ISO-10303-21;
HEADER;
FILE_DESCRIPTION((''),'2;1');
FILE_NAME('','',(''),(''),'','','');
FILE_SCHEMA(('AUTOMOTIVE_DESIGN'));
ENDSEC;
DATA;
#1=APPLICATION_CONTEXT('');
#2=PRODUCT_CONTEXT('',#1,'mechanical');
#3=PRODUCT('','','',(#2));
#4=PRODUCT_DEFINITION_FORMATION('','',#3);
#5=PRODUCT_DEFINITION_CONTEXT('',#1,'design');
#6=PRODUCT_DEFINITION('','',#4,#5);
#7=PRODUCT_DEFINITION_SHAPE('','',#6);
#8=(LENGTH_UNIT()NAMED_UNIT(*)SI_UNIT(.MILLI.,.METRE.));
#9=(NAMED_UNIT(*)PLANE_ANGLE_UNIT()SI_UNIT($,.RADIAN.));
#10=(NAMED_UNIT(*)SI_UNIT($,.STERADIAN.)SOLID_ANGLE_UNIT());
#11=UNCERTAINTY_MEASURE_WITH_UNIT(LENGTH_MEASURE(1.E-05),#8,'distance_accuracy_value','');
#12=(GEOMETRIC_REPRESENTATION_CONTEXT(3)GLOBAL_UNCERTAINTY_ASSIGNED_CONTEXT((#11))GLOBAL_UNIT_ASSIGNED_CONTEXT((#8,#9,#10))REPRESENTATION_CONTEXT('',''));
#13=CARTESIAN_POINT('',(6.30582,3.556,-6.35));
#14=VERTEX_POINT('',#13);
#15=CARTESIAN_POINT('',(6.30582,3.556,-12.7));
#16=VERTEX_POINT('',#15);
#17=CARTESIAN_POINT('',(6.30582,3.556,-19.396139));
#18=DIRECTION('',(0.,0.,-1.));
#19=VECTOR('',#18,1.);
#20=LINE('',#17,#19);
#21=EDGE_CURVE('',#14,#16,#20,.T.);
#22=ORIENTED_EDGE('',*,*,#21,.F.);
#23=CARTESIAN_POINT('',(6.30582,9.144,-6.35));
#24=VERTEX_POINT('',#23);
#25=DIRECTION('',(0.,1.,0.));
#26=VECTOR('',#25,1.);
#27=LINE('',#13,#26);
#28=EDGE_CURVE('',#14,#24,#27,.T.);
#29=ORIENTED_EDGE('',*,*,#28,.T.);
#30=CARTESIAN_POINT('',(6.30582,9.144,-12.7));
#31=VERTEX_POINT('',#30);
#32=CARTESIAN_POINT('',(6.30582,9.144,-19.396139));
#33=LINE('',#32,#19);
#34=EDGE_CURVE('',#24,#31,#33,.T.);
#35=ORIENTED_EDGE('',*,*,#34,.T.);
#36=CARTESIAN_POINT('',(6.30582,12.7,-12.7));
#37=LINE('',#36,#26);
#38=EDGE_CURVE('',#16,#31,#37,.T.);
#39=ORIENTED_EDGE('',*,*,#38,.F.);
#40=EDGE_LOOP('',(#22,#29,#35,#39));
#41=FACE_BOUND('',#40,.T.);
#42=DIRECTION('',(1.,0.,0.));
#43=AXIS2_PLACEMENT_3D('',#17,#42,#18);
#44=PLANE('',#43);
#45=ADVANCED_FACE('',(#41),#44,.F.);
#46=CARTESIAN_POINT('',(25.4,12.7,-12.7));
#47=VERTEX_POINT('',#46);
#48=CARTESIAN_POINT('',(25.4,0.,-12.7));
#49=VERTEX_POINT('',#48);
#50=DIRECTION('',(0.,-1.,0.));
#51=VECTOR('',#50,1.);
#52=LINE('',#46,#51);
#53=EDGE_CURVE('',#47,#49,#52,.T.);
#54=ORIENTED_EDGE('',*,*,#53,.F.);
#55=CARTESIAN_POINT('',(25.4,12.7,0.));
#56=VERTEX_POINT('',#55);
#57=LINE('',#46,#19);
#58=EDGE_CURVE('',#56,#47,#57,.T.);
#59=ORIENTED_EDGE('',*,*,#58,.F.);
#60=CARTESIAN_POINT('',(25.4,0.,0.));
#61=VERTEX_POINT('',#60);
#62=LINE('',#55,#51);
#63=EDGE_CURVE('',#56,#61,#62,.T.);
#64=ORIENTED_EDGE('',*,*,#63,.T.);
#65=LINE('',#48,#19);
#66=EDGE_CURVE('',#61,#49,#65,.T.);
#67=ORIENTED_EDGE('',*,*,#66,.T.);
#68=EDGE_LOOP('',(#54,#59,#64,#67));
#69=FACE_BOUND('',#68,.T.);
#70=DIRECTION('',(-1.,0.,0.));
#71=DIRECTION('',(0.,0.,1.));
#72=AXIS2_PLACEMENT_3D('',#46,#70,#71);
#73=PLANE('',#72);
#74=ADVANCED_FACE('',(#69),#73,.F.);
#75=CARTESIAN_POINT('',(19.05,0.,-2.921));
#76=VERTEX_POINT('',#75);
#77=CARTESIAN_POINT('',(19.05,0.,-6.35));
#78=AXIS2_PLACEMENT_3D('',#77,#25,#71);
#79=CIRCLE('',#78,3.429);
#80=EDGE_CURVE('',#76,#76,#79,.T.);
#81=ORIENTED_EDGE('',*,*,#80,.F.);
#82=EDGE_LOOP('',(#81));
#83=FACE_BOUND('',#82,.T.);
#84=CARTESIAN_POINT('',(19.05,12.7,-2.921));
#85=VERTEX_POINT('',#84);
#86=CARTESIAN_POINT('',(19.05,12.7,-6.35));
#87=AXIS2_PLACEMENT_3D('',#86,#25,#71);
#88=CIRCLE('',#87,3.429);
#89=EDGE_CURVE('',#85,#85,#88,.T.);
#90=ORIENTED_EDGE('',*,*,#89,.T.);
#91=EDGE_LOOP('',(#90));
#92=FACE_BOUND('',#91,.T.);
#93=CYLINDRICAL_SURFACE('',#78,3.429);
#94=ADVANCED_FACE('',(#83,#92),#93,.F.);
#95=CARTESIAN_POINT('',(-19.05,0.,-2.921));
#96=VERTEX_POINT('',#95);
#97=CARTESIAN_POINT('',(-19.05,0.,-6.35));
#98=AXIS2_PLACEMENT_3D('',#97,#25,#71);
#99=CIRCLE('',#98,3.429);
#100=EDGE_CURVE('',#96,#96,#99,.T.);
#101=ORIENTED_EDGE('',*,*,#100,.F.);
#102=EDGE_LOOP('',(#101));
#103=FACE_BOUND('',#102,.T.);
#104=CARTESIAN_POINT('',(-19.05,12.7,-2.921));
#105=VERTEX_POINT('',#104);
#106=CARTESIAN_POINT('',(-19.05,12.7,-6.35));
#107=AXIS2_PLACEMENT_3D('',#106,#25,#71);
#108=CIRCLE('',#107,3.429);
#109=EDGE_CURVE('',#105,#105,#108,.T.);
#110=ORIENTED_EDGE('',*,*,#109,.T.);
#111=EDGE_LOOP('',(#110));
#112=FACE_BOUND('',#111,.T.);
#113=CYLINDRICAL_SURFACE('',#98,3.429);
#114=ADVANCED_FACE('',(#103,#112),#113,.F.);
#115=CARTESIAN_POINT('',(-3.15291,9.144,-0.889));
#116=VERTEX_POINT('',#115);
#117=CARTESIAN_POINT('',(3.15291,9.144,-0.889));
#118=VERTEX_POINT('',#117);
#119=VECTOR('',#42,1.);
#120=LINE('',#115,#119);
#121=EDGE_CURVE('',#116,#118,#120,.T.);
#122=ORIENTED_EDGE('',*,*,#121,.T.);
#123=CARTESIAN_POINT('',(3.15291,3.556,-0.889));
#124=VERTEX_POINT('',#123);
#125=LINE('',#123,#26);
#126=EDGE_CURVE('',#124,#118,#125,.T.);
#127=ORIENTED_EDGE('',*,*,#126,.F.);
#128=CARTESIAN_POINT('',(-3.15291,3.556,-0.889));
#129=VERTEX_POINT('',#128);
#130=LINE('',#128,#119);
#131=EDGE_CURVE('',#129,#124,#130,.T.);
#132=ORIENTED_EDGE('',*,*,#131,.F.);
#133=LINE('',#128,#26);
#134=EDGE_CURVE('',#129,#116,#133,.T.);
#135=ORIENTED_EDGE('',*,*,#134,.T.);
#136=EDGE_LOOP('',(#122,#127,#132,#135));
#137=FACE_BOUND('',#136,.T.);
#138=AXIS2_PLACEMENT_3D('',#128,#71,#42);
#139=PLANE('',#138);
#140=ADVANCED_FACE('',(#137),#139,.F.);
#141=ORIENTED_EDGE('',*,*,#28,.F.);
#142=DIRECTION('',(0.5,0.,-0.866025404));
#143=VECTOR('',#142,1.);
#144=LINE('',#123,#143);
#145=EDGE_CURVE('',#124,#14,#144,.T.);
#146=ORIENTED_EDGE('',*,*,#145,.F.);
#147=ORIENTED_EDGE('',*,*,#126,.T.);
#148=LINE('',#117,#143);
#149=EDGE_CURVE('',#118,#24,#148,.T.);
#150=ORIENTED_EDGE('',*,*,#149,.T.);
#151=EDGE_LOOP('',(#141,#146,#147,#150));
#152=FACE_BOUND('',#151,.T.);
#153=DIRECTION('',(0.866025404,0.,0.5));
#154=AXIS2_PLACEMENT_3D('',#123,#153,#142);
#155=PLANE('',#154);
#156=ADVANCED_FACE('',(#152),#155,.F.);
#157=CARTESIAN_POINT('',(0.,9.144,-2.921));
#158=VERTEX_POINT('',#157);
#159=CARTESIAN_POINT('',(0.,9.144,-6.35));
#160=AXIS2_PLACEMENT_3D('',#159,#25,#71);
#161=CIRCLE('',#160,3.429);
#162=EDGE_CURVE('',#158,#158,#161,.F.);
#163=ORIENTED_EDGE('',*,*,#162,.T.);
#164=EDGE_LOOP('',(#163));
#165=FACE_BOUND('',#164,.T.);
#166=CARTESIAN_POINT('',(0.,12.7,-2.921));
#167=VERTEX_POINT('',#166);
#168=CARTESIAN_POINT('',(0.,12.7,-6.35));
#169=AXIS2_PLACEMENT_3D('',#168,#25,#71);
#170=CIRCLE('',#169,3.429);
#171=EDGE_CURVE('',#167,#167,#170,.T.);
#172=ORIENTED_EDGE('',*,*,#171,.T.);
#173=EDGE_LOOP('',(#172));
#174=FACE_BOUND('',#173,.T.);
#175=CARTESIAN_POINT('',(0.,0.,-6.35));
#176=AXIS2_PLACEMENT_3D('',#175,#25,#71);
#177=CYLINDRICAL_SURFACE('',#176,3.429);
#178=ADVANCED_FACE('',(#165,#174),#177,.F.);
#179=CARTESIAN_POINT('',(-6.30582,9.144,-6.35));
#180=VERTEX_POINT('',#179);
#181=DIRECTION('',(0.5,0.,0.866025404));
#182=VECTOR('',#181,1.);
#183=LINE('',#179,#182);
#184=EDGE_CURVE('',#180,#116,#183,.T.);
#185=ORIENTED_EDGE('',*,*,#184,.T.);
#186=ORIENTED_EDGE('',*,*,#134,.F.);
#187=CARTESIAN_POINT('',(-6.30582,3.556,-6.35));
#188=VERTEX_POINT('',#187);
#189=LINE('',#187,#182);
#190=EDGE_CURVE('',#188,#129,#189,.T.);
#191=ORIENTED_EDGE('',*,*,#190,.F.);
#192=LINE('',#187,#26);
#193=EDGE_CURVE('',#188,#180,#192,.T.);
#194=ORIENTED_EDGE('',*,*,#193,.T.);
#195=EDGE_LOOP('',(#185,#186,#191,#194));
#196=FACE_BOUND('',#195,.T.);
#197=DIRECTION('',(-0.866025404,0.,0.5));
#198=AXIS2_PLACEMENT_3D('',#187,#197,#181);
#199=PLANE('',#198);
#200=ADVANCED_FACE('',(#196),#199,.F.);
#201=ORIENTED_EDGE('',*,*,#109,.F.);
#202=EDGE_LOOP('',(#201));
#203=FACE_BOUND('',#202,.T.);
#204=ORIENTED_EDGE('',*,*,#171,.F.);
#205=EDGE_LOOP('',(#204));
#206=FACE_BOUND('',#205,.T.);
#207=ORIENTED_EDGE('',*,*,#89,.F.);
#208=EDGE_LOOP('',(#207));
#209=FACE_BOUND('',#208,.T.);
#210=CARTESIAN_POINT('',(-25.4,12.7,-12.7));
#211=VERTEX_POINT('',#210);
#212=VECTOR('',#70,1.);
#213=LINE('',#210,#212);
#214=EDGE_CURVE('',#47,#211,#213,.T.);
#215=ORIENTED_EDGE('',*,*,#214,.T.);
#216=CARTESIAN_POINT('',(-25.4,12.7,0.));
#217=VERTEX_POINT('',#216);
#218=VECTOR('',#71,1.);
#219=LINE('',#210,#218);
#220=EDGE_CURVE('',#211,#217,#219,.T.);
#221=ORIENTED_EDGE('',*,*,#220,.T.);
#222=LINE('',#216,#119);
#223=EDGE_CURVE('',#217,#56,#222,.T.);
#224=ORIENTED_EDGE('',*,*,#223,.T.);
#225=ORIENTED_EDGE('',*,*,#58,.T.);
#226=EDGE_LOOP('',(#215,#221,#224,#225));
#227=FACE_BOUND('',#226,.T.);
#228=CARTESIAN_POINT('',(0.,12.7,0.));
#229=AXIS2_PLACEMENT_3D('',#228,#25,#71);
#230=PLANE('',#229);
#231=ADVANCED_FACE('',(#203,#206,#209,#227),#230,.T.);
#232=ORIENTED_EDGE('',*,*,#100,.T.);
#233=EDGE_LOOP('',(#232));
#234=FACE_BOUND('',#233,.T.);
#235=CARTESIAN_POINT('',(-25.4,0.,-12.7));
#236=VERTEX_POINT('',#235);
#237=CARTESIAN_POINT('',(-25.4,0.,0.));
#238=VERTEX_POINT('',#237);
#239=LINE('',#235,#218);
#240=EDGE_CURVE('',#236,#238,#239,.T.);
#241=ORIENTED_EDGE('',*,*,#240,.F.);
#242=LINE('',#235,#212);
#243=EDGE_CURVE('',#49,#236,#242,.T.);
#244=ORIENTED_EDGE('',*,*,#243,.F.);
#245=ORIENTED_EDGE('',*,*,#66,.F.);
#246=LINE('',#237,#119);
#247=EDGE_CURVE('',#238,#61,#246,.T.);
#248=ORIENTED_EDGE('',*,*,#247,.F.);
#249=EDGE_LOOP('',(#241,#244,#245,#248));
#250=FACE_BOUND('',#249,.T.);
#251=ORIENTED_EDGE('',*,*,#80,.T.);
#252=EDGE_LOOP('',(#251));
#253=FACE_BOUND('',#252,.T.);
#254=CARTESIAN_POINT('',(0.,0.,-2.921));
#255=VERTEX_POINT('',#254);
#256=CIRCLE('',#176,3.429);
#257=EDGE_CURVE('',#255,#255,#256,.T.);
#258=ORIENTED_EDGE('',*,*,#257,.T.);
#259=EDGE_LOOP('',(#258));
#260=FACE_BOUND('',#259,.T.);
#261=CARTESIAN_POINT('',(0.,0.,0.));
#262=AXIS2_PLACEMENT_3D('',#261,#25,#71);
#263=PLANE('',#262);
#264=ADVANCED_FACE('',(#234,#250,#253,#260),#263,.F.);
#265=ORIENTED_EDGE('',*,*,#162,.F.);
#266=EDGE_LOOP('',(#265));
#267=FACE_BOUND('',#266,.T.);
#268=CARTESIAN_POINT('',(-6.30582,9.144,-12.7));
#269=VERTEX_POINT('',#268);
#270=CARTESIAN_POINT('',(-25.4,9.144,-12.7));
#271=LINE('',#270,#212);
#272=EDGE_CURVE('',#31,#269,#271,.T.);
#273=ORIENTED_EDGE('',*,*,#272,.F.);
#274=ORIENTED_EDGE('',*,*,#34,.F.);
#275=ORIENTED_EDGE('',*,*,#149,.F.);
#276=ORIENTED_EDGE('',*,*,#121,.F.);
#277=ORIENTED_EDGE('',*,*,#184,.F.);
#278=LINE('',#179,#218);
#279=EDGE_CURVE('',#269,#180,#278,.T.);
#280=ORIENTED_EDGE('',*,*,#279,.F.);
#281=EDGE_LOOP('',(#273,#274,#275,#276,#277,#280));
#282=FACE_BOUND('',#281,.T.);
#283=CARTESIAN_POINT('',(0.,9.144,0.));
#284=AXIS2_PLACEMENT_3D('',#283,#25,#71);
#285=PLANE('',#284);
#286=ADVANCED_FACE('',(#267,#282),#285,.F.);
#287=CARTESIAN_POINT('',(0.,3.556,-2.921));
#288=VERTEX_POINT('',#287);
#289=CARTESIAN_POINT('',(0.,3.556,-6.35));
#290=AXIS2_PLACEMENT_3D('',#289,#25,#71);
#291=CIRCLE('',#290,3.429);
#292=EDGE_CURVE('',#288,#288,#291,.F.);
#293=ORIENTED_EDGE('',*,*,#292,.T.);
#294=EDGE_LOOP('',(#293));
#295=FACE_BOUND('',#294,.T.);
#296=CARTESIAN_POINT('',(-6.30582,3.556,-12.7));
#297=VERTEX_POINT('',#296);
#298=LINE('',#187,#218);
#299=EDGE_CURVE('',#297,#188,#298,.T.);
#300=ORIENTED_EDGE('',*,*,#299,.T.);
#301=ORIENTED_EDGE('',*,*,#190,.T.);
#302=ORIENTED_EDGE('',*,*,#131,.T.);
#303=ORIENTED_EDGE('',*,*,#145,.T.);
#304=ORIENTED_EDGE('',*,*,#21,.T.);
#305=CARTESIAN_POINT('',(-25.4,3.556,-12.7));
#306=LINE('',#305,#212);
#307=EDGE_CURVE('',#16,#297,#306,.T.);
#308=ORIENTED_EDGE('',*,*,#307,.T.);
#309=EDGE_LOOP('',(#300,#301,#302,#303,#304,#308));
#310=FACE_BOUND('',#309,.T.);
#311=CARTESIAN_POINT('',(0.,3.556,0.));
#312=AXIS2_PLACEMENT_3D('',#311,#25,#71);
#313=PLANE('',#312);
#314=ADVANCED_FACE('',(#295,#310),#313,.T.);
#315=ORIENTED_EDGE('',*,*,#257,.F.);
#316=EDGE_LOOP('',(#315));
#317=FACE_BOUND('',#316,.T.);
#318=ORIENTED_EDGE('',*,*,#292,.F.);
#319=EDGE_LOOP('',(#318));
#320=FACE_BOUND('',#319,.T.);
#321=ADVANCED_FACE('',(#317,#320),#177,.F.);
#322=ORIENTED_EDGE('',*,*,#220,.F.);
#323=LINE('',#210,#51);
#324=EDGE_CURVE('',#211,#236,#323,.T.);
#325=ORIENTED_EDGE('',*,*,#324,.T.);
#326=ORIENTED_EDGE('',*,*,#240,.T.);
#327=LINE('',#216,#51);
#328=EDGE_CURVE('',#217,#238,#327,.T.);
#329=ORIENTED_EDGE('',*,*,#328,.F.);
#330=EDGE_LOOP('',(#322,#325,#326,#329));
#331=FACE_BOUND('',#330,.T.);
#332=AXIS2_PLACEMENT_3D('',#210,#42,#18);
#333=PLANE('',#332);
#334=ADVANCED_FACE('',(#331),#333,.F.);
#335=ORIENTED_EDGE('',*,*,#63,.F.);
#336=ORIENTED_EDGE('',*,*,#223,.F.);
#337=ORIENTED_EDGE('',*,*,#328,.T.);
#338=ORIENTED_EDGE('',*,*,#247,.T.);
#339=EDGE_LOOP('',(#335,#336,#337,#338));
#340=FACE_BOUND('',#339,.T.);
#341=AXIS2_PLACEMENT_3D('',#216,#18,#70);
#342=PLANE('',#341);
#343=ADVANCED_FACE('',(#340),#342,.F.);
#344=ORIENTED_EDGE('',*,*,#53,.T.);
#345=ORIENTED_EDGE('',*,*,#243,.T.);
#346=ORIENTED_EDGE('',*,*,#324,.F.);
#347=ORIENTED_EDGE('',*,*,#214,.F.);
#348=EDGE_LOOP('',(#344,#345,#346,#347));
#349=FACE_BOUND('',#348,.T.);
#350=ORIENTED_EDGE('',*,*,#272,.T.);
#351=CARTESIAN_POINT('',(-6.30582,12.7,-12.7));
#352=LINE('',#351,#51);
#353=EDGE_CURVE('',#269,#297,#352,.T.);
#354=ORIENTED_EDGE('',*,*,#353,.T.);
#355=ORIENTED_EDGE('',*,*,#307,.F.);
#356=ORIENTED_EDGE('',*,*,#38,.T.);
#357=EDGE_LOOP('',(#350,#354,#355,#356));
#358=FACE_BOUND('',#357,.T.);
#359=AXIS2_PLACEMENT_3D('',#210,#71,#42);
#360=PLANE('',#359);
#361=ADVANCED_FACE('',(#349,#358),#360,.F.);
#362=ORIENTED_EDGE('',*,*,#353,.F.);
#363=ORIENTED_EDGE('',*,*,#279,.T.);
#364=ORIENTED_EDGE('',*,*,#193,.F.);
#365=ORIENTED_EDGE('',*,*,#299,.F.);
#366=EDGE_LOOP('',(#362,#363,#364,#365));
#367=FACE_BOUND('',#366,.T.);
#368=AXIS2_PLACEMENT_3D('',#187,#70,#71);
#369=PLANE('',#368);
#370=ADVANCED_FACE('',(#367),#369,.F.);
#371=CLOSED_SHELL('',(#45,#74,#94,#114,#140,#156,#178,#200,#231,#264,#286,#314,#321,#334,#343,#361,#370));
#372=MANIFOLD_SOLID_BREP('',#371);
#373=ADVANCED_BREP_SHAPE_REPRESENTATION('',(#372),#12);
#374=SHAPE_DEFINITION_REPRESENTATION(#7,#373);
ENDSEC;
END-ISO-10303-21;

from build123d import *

# Parameters (mm, degrees)
SKETCH1_W           = 50.8
SKETCH1_H           = 12.7
BOSS_EXTRUDE1_DEPTH = 12.7
SKETCH2_R           = 3.429
CUT_EXTRUDE1_DEPTH  = 32.108519733
CUT_EXTRUDE2_DEPTH  = 2.794


with BuildPart() as part:
    # Sketch1 → Boss-Extrude1 (new body)
    with BuildSketch(Plane(origin=(0, 0, 0), x_dir=(1, 0, 0), z_dir=(0, 1, 0))):
        with Locations((0, 6.35)):
            Rectangle(SKETCH1_W, SKETCH1_H)
    extrude(amount=BOSS_EXTRUDE1_DEPTH)

    # Sketch2 → Cut-Extrude1 (cut, through all)
    with BuildSketch(Plane(origin=(0, 12.7, 0), x_dir=(1, 0, 0), z_dir=(0, 1, 0))):
        with Locations(Location((-19.05, 6.35, 0), (0, 0, 270))):
            Circle(SKETCH2_R)
        with Locations(Location((19.05, 6.35, 0), (0, 0, 270))):
            Circle(SKETCH2_R)
        with Locations(Location((0, 6.35, 0), (0, 0, 270))):
            Circle(SKETCH2_R)
    extrude(amount=-CUT_EXTRUDE1_DEPTH, mode=Mode.SUBTRACT)

    # Sketch3 → Cut-Extrude2 (cut, symmetric)
    with BuildSketch(Plane(origin=(0, 6.35, 0), x_dir=(1, 0, 0), z_dir=(0, 1, 0))):
        Polygon((-6.30581964, 6.35), (-6.30581964, 19.396139052), (6.30581964, 19.396139052), (6.30581964, 6.35), (3.15290982, 0.889), (-3.15290982, 0.889), align=None)
    extrude(amount=CUT_EXTRUDE2_DEPTH, both=True, mode=Mode.SUBTRACT)


solid = part.part
